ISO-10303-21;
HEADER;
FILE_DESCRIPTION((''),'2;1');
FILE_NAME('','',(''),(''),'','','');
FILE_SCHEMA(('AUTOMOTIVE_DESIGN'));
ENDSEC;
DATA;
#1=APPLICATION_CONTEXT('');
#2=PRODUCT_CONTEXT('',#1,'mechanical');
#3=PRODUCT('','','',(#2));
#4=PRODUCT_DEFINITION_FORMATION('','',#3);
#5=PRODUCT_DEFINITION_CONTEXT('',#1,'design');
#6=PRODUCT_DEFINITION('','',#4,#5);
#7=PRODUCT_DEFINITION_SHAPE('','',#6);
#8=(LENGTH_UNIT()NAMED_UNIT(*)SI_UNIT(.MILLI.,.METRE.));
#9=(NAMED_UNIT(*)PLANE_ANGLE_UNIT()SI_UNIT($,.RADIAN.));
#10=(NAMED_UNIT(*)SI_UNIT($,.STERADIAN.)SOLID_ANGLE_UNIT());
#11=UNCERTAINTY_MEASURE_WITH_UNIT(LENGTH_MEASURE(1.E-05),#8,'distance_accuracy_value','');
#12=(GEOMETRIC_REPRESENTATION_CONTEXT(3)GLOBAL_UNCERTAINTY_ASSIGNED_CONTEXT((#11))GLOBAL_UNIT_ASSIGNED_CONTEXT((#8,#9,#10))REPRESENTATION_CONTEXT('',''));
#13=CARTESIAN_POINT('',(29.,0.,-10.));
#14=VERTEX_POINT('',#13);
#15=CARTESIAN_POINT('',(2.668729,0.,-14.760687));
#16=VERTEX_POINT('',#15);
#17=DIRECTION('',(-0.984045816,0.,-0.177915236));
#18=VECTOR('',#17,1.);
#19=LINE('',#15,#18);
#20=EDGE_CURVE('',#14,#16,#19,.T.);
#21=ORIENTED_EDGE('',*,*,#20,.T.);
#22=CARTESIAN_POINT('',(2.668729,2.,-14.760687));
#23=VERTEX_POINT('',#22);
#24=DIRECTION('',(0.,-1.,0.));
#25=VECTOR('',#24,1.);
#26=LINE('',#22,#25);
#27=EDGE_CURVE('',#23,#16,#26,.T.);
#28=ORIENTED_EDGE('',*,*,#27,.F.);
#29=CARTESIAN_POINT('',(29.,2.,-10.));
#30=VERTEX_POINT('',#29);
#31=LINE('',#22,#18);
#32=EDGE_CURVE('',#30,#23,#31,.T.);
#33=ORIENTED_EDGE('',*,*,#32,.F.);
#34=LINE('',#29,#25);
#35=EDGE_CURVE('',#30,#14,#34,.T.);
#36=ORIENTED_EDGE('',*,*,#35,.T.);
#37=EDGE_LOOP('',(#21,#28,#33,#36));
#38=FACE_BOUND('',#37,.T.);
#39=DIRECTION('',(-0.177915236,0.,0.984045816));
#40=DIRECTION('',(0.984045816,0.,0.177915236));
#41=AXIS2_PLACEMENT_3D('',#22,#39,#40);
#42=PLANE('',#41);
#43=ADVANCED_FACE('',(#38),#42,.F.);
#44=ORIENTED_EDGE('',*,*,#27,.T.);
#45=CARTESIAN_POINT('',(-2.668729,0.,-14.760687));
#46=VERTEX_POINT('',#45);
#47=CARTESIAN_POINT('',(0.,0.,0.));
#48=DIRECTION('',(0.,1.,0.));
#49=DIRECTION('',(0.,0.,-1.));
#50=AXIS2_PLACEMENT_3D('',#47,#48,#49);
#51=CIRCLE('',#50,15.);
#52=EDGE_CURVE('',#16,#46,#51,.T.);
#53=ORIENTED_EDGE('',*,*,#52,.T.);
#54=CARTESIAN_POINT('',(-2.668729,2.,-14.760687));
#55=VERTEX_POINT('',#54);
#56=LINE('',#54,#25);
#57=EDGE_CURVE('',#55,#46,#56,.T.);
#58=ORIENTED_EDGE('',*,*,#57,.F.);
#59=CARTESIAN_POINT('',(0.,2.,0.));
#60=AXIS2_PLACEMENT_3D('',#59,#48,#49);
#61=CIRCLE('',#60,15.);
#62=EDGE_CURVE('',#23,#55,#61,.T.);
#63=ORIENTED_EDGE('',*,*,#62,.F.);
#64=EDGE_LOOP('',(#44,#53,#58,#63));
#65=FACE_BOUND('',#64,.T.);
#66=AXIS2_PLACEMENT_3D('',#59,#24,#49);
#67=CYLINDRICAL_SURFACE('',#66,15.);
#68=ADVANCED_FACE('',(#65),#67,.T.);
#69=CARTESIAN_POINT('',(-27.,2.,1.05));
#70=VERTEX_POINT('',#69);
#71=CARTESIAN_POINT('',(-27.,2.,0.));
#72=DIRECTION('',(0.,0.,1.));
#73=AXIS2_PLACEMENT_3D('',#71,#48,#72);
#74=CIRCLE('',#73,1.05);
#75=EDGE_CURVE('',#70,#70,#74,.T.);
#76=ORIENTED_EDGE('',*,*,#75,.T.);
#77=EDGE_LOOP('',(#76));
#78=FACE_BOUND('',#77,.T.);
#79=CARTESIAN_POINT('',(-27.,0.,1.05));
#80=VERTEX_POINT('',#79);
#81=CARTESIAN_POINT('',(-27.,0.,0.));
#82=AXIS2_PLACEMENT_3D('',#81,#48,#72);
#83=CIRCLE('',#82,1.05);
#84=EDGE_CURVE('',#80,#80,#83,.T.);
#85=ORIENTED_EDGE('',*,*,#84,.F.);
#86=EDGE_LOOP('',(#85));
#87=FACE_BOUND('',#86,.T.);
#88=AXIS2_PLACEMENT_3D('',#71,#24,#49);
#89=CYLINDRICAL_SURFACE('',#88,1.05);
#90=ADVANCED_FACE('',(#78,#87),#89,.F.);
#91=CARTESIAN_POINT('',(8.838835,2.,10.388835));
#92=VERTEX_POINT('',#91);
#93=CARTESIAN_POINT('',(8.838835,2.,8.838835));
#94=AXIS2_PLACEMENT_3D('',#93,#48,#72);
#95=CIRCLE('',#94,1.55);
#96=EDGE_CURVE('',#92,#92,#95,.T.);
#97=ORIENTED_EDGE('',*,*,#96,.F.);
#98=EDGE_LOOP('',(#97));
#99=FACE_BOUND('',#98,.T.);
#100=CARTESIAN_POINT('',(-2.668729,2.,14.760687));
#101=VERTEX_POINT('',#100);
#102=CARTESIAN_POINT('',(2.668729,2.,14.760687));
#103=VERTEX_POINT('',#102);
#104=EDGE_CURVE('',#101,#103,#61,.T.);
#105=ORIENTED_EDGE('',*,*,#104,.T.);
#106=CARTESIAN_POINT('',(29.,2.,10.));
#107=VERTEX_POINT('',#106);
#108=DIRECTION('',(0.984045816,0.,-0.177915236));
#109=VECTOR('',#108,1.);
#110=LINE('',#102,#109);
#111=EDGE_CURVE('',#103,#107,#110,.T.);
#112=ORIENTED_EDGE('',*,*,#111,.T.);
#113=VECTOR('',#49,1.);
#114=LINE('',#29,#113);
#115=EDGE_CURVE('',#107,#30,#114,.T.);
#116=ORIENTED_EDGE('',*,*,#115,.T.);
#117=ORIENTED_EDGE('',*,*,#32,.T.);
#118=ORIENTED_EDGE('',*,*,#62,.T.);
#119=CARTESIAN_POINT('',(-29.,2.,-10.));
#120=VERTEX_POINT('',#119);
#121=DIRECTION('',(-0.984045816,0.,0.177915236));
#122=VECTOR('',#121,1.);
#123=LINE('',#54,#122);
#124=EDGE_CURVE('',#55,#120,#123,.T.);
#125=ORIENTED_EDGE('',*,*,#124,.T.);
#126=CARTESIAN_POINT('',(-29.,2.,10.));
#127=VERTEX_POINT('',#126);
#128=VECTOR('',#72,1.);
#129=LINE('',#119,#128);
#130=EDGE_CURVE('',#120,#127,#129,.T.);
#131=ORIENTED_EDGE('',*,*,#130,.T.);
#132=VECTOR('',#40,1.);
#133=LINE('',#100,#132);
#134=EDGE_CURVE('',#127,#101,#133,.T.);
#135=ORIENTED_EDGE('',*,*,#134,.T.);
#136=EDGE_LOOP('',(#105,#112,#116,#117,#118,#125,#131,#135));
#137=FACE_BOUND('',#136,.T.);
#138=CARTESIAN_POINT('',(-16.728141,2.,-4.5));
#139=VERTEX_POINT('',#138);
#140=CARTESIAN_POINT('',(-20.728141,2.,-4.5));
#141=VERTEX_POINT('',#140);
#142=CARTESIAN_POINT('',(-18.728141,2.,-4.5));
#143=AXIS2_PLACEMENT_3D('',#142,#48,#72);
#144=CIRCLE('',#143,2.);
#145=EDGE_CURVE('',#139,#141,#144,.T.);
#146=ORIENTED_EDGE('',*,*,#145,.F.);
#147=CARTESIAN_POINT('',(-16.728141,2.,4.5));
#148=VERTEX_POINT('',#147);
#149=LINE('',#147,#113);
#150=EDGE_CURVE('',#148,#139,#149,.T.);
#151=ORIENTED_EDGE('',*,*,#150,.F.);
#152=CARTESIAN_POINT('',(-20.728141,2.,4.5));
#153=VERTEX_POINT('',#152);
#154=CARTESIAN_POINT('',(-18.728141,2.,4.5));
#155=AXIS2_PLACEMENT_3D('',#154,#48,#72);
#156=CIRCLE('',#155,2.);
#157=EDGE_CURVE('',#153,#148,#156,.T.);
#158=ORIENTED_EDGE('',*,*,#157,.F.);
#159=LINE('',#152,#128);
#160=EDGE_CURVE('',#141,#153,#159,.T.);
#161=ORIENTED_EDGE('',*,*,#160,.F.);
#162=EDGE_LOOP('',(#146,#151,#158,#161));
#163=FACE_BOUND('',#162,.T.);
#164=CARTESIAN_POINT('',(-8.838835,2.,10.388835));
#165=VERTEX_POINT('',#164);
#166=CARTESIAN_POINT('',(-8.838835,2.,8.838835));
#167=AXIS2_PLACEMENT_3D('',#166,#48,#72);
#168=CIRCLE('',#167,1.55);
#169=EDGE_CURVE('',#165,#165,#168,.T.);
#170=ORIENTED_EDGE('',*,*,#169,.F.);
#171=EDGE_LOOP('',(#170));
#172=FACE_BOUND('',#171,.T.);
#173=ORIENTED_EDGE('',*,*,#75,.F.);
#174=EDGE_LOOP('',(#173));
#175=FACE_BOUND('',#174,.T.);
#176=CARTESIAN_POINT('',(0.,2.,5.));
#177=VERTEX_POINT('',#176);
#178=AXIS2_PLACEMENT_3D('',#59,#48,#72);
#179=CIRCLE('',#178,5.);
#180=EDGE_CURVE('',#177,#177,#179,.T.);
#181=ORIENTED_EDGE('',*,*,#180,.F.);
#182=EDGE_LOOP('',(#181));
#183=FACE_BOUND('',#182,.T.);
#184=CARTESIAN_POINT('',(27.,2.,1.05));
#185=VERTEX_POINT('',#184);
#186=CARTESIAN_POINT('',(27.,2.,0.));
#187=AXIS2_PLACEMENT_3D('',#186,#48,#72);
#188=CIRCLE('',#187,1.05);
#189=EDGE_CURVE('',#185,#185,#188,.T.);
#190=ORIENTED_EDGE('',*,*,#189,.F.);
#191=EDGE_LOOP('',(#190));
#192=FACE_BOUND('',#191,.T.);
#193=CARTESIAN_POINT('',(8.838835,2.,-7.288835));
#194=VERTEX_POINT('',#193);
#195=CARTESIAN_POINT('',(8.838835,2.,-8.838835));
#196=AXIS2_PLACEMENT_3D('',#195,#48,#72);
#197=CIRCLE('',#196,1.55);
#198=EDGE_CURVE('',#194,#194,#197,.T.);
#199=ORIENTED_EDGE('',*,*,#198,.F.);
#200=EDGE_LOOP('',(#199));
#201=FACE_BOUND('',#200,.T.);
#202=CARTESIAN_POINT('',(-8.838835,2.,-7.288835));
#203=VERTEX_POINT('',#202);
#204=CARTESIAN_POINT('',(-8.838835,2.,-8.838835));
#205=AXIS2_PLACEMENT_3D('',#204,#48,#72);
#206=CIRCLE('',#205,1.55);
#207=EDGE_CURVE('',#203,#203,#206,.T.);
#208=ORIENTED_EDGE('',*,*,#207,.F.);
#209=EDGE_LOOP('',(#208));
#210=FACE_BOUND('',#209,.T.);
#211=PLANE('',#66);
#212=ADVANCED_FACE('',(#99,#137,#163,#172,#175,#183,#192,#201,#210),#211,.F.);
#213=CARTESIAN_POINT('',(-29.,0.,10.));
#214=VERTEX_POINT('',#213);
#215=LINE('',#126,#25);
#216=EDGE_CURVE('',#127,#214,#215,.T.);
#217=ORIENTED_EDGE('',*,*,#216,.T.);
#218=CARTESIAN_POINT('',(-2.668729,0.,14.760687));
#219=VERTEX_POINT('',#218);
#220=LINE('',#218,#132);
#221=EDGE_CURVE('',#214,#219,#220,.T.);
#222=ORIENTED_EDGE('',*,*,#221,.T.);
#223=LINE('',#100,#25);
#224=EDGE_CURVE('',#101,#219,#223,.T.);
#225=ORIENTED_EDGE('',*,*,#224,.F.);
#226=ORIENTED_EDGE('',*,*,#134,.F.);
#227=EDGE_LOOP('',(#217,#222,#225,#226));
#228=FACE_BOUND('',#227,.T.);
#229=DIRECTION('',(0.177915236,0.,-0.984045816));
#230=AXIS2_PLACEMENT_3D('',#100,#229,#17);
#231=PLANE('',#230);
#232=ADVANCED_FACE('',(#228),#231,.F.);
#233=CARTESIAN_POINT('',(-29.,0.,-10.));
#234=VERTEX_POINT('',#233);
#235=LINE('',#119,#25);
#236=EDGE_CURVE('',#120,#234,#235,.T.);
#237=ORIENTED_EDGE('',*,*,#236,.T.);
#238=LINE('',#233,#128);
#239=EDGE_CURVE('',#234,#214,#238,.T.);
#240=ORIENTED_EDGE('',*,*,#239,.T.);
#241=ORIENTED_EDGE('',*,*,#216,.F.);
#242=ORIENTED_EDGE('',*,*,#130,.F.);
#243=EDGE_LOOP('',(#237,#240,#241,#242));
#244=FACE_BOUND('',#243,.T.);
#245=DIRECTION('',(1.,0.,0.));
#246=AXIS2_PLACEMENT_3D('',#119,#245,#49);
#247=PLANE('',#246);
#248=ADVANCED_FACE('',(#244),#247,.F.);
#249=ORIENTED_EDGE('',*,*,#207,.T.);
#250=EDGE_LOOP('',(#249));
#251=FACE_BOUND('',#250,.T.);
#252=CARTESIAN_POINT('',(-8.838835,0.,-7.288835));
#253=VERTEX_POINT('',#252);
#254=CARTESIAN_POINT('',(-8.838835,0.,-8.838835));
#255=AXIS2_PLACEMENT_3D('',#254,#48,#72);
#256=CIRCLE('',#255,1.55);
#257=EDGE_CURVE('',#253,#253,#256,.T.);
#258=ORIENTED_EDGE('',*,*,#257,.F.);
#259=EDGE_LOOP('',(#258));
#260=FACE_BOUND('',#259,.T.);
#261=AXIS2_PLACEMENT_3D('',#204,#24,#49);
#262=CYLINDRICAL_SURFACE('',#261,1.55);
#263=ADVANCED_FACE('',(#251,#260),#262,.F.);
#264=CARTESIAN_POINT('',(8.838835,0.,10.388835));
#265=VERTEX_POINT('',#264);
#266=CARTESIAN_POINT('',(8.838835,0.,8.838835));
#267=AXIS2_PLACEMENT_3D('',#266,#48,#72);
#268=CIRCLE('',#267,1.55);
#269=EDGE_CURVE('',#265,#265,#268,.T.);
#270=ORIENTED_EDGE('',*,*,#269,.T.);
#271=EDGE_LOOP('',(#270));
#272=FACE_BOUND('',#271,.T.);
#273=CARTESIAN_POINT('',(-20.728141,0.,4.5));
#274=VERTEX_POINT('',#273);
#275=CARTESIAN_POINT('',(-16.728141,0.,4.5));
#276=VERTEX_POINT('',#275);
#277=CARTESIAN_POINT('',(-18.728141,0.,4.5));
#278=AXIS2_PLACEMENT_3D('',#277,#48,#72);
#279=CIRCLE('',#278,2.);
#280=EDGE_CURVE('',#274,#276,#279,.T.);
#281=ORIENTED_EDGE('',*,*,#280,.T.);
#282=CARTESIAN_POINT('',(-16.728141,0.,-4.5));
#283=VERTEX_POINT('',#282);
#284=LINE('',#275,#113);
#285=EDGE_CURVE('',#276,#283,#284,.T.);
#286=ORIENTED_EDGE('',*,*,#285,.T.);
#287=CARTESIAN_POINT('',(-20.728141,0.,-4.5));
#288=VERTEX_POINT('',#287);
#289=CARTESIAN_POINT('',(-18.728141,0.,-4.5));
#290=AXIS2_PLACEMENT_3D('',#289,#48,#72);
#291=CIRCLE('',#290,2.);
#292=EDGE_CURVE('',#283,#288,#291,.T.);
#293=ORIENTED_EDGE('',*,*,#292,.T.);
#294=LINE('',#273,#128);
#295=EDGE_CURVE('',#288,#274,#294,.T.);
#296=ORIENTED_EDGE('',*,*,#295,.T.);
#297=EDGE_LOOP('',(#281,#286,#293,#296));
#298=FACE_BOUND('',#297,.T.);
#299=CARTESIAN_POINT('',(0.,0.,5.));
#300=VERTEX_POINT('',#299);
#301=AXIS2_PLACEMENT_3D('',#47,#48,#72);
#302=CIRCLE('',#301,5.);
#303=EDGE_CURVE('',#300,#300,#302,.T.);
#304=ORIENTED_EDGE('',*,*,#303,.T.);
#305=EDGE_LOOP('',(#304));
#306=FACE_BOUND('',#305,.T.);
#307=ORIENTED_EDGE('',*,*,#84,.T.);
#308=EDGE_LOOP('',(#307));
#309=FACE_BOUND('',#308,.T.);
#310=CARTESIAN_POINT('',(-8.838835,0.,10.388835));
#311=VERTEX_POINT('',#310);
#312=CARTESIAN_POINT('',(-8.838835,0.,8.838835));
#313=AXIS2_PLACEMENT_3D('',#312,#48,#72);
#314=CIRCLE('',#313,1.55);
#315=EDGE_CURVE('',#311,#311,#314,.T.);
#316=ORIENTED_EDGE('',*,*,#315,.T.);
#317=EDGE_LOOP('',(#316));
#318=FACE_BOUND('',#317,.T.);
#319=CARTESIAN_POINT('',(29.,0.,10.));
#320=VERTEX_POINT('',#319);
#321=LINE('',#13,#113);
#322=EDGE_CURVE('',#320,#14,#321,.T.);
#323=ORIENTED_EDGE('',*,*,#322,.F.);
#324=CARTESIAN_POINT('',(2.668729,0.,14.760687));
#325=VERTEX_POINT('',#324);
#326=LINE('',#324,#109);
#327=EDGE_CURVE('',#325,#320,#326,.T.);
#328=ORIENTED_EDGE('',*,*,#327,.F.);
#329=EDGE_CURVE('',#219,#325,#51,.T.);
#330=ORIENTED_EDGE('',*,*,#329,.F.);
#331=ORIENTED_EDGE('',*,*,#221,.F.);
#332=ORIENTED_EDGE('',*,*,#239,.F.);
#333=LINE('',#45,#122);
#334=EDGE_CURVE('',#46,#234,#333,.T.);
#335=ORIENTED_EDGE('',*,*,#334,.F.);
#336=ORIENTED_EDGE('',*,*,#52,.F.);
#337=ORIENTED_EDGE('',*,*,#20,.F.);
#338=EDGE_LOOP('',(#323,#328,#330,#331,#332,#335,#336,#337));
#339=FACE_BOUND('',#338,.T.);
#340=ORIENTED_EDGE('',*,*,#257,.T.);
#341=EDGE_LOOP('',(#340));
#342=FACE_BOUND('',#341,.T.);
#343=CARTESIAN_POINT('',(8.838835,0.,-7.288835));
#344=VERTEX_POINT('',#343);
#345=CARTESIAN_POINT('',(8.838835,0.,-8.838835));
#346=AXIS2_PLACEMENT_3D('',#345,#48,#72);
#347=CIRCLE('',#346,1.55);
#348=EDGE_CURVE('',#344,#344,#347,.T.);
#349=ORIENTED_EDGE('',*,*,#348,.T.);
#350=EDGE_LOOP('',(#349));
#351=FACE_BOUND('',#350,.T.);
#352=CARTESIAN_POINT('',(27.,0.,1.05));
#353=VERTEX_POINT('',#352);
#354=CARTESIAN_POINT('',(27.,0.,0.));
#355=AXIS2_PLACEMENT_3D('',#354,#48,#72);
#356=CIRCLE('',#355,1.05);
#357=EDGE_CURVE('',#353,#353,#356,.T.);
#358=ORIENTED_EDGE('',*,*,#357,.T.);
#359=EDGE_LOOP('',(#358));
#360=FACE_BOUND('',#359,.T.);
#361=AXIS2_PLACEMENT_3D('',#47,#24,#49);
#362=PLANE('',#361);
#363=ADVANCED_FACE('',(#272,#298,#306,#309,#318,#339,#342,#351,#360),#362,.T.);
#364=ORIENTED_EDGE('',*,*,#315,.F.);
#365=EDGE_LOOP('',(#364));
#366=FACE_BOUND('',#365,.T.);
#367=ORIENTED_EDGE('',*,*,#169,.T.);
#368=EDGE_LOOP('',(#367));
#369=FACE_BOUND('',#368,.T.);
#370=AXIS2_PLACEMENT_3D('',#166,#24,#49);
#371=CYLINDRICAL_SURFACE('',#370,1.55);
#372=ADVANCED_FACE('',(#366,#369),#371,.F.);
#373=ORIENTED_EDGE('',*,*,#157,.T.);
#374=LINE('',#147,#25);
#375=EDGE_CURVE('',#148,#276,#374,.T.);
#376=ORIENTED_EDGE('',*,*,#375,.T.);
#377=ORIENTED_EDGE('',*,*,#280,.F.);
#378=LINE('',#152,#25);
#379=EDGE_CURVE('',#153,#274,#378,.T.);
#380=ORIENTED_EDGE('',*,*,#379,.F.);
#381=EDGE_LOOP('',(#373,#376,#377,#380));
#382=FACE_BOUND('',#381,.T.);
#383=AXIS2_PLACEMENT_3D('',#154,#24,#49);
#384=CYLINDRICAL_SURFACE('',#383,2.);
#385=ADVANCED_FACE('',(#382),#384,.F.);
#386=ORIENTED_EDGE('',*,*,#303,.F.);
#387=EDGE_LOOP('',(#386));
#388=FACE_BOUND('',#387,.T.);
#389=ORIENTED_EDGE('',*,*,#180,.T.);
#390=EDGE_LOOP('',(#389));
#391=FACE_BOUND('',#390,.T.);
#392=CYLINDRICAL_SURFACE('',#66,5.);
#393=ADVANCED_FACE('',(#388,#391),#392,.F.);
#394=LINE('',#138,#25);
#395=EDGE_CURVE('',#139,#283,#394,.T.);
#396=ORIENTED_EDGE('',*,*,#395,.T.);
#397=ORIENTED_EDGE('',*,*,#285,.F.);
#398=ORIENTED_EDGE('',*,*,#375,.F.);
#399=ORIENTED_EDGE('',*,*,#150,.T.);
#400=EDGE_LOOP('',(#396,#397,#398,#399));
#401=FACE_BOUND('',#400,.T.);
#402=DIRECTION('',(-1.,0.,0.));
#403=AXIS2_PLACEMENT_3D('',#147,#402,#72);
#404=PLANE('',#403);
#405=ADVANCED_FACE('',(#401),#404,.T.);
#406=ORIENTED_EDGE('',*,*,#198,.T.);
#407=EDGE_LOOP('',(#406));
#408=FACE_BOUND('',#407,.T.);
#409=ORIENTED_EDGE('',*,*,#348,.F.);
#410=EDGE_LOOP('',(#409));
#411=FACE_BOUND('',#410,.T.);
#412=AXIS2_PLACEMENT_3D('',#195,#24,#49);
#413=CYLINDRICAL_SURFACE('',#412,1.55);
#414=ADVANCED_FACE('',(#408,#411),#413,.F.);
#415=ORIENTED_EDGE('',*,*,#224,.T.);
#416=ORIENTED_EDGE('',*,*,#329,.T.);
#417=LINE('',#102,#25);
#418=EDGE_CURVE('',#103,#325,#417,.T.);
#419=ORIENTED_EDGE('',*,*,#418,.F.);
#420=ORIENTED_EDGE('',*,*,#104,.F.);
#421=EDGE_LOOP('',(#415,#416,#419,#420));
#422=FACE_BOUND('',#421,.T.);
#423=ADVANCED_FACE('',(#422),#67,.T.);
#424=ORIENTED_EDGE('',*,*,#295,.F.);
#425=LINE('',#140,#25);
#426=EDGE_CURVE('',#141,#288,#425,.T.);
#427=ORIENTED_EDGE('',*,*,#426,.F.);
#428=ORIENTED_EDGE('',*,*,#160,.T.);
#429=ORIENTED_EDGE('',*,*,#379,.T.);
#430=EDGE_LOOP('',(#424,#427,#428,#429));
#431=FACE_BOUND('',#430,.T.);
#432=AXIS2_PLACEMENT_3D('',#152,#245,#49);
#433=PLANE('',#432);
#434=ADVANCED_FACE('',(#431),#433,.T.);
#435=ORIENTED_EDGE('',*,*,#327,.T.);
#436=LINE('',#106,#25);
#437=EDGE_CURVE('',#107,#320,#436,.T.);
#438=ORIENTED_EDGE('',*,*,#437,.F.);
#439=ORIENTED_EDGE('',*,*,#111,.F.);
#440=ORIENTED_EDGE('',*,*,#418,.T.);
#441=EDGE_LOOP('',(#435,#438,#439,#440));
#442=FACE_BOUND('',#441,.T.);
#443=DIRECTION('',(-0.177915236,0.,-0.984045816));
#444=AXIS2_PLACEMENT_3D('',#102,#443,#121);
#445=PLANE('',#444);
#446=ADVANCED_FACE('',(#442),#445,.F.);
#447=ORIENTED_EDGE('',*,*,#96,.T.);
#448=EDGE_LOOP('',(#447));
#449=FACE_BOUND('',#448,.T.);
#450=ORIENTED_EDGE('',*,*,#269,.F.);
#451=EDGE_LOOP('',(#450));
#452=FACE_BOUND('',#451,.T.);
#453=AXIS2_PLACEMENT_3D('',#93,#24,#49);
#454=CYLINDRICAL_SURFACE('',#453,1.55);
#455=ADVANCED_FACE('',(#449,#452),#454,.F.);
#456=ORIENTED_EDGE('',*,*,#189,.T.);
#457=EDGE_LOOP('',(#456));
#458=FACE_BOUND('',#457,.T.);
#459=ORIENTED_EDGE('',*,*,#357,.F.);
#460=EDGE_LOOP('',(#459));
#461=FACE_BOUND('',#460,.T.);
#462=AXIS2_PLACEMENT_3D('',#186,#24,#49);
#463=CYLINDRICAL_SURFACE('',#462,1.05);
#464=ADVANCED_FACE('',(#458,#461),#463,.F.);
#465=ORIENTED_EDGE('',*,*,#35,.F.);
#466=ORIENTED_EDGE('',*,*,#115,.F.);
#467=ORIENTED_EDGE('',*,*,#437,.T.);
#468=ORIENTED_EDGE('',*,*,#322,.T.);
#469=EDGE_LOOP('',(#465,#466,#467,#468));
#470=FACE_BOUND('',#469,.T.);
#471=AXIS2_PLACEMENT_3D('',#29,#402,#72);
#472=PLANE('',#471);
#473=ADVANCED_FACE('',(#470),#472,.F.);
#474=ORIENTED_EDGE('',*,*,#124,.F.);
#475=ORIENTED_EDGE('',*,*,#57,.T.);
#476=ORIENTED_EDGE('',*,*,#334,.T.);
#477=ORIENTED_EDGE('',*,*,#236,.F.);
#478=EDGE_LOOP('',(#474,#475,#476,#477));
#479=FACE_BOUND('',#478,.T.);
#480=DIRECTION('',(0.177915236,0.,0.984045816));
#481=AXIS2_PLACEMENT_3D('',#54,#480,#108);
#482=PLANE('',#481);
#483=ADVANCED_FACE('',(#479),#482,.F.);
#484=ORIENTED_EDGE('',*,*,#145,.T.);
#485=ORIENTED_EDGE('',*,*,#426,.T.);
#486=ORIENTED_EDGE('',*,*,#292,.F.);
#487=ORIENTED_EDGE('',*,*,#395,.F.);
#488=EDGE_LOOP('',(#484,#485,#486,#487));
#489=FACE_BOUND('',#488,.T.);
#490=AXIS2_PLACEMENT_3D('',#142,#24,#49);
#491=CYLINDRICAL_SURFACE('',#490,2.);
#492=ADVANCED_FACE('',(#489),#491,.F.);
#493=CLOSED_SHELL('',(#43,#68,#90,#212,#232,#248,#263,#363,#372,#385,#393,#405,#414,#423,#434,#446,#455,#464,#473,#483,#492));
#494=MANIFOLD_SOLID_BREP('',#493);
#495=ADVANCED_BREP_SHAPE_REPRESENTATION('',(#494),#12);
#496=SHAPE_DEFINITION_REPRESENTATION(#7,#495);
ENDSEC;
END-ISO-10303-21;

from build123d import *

# Parameters (mm, degrees)
SKETCH1_R           = 5
SKETCH1_R_2         = 1.05
SKETCH1_R_3         = 1.55
BOSS_EXTRUDE1_DEPTH = 2


with BuildPart() as part:
    # Sketch1 → Boss-Extrude1 (new body)
    with BuildSketch(Plane(origin=(0, 0, 0), x_dir=(1, 0, 0), z_dir=(0, 1, 0))):
        with BuildLine():
            Line((-2.668728536, 14.760687247), (-29, 10))
            Line((-29, 10), (-29, -10))
            Line((-29, -10), (-2.668728536, -14.760687247))
            ThreePointArc((-2.668728536, -14.760687247), (0, -15), (2.668728536, -14.760687247))
            Line((2.668728536, -14.760687247), (29, -10))
            Line((29, -10), (29, 10))
            Line((29, 10), (2.668728536, 14.760687247))
            ThreePointArc((2.668728536, 14.760687247), (0, 15), (-2.668728536, 14.760687247))
        make_face()
        with Locations(Location((0, 0, 0), (0, 0, 270))):
            Circle(SKETCH1_R, mode=Mode.SUBTRACT)
        with Locations(Location((-27, 0, 0), (0, 0, 270))):
            Circle(SKETCH1_R_2, mode=Mode.SUBTRACT)
        with Locations(Location((27, 0, 0), (0, 0, 270))):
            Circle(SKETCH1_R_2, mode=Mode.SUBTRACT)
        with Locations(Location((8.838834765, 8.838834765, 0), (0, 0, 270))):
            Circle(SKETCH1_R_3, mode=Mode.SUBTRACT)
        with Locations(Location((8.838834765, -8.838834765, 0), (0, 0, 270))):
            Circle(SKETCH1_R_3, mode=Mode.SUBTRACT)
        with Locations(Location((-8.838834765, -8.838834765, 0), (0, 0, 270))):
            Circle(SKETCH1_R_3, mode=Mode.SUBTRACT)
        with Locations(Location((-8.838834765, 8.838834765, 0), (0, 0, 270))):
            Circle(SKETCH1_R_3, mode=Mode.SUBTRACT)
        with BuildLine():
            Line((-20.728140636, -4.5), (-20.728140636, 4.5))
            ThreePointArc((-20.728140636, 4.5), (-18.728140636, 6.5), (-16.728140636, 4.5))
            Line((-16.728140636, 4.5), (-16.728140636, -4.5))
            ThreePointArc((-16.728140636, -4.5), (-18.728140636, -6.5), (-20.728140636, -4.5))
        make_face(mode=Mode.SUBTRACT)
    extrude(amount=BOSS_EXTRUDE1_DEPTH)


solid = part.part
